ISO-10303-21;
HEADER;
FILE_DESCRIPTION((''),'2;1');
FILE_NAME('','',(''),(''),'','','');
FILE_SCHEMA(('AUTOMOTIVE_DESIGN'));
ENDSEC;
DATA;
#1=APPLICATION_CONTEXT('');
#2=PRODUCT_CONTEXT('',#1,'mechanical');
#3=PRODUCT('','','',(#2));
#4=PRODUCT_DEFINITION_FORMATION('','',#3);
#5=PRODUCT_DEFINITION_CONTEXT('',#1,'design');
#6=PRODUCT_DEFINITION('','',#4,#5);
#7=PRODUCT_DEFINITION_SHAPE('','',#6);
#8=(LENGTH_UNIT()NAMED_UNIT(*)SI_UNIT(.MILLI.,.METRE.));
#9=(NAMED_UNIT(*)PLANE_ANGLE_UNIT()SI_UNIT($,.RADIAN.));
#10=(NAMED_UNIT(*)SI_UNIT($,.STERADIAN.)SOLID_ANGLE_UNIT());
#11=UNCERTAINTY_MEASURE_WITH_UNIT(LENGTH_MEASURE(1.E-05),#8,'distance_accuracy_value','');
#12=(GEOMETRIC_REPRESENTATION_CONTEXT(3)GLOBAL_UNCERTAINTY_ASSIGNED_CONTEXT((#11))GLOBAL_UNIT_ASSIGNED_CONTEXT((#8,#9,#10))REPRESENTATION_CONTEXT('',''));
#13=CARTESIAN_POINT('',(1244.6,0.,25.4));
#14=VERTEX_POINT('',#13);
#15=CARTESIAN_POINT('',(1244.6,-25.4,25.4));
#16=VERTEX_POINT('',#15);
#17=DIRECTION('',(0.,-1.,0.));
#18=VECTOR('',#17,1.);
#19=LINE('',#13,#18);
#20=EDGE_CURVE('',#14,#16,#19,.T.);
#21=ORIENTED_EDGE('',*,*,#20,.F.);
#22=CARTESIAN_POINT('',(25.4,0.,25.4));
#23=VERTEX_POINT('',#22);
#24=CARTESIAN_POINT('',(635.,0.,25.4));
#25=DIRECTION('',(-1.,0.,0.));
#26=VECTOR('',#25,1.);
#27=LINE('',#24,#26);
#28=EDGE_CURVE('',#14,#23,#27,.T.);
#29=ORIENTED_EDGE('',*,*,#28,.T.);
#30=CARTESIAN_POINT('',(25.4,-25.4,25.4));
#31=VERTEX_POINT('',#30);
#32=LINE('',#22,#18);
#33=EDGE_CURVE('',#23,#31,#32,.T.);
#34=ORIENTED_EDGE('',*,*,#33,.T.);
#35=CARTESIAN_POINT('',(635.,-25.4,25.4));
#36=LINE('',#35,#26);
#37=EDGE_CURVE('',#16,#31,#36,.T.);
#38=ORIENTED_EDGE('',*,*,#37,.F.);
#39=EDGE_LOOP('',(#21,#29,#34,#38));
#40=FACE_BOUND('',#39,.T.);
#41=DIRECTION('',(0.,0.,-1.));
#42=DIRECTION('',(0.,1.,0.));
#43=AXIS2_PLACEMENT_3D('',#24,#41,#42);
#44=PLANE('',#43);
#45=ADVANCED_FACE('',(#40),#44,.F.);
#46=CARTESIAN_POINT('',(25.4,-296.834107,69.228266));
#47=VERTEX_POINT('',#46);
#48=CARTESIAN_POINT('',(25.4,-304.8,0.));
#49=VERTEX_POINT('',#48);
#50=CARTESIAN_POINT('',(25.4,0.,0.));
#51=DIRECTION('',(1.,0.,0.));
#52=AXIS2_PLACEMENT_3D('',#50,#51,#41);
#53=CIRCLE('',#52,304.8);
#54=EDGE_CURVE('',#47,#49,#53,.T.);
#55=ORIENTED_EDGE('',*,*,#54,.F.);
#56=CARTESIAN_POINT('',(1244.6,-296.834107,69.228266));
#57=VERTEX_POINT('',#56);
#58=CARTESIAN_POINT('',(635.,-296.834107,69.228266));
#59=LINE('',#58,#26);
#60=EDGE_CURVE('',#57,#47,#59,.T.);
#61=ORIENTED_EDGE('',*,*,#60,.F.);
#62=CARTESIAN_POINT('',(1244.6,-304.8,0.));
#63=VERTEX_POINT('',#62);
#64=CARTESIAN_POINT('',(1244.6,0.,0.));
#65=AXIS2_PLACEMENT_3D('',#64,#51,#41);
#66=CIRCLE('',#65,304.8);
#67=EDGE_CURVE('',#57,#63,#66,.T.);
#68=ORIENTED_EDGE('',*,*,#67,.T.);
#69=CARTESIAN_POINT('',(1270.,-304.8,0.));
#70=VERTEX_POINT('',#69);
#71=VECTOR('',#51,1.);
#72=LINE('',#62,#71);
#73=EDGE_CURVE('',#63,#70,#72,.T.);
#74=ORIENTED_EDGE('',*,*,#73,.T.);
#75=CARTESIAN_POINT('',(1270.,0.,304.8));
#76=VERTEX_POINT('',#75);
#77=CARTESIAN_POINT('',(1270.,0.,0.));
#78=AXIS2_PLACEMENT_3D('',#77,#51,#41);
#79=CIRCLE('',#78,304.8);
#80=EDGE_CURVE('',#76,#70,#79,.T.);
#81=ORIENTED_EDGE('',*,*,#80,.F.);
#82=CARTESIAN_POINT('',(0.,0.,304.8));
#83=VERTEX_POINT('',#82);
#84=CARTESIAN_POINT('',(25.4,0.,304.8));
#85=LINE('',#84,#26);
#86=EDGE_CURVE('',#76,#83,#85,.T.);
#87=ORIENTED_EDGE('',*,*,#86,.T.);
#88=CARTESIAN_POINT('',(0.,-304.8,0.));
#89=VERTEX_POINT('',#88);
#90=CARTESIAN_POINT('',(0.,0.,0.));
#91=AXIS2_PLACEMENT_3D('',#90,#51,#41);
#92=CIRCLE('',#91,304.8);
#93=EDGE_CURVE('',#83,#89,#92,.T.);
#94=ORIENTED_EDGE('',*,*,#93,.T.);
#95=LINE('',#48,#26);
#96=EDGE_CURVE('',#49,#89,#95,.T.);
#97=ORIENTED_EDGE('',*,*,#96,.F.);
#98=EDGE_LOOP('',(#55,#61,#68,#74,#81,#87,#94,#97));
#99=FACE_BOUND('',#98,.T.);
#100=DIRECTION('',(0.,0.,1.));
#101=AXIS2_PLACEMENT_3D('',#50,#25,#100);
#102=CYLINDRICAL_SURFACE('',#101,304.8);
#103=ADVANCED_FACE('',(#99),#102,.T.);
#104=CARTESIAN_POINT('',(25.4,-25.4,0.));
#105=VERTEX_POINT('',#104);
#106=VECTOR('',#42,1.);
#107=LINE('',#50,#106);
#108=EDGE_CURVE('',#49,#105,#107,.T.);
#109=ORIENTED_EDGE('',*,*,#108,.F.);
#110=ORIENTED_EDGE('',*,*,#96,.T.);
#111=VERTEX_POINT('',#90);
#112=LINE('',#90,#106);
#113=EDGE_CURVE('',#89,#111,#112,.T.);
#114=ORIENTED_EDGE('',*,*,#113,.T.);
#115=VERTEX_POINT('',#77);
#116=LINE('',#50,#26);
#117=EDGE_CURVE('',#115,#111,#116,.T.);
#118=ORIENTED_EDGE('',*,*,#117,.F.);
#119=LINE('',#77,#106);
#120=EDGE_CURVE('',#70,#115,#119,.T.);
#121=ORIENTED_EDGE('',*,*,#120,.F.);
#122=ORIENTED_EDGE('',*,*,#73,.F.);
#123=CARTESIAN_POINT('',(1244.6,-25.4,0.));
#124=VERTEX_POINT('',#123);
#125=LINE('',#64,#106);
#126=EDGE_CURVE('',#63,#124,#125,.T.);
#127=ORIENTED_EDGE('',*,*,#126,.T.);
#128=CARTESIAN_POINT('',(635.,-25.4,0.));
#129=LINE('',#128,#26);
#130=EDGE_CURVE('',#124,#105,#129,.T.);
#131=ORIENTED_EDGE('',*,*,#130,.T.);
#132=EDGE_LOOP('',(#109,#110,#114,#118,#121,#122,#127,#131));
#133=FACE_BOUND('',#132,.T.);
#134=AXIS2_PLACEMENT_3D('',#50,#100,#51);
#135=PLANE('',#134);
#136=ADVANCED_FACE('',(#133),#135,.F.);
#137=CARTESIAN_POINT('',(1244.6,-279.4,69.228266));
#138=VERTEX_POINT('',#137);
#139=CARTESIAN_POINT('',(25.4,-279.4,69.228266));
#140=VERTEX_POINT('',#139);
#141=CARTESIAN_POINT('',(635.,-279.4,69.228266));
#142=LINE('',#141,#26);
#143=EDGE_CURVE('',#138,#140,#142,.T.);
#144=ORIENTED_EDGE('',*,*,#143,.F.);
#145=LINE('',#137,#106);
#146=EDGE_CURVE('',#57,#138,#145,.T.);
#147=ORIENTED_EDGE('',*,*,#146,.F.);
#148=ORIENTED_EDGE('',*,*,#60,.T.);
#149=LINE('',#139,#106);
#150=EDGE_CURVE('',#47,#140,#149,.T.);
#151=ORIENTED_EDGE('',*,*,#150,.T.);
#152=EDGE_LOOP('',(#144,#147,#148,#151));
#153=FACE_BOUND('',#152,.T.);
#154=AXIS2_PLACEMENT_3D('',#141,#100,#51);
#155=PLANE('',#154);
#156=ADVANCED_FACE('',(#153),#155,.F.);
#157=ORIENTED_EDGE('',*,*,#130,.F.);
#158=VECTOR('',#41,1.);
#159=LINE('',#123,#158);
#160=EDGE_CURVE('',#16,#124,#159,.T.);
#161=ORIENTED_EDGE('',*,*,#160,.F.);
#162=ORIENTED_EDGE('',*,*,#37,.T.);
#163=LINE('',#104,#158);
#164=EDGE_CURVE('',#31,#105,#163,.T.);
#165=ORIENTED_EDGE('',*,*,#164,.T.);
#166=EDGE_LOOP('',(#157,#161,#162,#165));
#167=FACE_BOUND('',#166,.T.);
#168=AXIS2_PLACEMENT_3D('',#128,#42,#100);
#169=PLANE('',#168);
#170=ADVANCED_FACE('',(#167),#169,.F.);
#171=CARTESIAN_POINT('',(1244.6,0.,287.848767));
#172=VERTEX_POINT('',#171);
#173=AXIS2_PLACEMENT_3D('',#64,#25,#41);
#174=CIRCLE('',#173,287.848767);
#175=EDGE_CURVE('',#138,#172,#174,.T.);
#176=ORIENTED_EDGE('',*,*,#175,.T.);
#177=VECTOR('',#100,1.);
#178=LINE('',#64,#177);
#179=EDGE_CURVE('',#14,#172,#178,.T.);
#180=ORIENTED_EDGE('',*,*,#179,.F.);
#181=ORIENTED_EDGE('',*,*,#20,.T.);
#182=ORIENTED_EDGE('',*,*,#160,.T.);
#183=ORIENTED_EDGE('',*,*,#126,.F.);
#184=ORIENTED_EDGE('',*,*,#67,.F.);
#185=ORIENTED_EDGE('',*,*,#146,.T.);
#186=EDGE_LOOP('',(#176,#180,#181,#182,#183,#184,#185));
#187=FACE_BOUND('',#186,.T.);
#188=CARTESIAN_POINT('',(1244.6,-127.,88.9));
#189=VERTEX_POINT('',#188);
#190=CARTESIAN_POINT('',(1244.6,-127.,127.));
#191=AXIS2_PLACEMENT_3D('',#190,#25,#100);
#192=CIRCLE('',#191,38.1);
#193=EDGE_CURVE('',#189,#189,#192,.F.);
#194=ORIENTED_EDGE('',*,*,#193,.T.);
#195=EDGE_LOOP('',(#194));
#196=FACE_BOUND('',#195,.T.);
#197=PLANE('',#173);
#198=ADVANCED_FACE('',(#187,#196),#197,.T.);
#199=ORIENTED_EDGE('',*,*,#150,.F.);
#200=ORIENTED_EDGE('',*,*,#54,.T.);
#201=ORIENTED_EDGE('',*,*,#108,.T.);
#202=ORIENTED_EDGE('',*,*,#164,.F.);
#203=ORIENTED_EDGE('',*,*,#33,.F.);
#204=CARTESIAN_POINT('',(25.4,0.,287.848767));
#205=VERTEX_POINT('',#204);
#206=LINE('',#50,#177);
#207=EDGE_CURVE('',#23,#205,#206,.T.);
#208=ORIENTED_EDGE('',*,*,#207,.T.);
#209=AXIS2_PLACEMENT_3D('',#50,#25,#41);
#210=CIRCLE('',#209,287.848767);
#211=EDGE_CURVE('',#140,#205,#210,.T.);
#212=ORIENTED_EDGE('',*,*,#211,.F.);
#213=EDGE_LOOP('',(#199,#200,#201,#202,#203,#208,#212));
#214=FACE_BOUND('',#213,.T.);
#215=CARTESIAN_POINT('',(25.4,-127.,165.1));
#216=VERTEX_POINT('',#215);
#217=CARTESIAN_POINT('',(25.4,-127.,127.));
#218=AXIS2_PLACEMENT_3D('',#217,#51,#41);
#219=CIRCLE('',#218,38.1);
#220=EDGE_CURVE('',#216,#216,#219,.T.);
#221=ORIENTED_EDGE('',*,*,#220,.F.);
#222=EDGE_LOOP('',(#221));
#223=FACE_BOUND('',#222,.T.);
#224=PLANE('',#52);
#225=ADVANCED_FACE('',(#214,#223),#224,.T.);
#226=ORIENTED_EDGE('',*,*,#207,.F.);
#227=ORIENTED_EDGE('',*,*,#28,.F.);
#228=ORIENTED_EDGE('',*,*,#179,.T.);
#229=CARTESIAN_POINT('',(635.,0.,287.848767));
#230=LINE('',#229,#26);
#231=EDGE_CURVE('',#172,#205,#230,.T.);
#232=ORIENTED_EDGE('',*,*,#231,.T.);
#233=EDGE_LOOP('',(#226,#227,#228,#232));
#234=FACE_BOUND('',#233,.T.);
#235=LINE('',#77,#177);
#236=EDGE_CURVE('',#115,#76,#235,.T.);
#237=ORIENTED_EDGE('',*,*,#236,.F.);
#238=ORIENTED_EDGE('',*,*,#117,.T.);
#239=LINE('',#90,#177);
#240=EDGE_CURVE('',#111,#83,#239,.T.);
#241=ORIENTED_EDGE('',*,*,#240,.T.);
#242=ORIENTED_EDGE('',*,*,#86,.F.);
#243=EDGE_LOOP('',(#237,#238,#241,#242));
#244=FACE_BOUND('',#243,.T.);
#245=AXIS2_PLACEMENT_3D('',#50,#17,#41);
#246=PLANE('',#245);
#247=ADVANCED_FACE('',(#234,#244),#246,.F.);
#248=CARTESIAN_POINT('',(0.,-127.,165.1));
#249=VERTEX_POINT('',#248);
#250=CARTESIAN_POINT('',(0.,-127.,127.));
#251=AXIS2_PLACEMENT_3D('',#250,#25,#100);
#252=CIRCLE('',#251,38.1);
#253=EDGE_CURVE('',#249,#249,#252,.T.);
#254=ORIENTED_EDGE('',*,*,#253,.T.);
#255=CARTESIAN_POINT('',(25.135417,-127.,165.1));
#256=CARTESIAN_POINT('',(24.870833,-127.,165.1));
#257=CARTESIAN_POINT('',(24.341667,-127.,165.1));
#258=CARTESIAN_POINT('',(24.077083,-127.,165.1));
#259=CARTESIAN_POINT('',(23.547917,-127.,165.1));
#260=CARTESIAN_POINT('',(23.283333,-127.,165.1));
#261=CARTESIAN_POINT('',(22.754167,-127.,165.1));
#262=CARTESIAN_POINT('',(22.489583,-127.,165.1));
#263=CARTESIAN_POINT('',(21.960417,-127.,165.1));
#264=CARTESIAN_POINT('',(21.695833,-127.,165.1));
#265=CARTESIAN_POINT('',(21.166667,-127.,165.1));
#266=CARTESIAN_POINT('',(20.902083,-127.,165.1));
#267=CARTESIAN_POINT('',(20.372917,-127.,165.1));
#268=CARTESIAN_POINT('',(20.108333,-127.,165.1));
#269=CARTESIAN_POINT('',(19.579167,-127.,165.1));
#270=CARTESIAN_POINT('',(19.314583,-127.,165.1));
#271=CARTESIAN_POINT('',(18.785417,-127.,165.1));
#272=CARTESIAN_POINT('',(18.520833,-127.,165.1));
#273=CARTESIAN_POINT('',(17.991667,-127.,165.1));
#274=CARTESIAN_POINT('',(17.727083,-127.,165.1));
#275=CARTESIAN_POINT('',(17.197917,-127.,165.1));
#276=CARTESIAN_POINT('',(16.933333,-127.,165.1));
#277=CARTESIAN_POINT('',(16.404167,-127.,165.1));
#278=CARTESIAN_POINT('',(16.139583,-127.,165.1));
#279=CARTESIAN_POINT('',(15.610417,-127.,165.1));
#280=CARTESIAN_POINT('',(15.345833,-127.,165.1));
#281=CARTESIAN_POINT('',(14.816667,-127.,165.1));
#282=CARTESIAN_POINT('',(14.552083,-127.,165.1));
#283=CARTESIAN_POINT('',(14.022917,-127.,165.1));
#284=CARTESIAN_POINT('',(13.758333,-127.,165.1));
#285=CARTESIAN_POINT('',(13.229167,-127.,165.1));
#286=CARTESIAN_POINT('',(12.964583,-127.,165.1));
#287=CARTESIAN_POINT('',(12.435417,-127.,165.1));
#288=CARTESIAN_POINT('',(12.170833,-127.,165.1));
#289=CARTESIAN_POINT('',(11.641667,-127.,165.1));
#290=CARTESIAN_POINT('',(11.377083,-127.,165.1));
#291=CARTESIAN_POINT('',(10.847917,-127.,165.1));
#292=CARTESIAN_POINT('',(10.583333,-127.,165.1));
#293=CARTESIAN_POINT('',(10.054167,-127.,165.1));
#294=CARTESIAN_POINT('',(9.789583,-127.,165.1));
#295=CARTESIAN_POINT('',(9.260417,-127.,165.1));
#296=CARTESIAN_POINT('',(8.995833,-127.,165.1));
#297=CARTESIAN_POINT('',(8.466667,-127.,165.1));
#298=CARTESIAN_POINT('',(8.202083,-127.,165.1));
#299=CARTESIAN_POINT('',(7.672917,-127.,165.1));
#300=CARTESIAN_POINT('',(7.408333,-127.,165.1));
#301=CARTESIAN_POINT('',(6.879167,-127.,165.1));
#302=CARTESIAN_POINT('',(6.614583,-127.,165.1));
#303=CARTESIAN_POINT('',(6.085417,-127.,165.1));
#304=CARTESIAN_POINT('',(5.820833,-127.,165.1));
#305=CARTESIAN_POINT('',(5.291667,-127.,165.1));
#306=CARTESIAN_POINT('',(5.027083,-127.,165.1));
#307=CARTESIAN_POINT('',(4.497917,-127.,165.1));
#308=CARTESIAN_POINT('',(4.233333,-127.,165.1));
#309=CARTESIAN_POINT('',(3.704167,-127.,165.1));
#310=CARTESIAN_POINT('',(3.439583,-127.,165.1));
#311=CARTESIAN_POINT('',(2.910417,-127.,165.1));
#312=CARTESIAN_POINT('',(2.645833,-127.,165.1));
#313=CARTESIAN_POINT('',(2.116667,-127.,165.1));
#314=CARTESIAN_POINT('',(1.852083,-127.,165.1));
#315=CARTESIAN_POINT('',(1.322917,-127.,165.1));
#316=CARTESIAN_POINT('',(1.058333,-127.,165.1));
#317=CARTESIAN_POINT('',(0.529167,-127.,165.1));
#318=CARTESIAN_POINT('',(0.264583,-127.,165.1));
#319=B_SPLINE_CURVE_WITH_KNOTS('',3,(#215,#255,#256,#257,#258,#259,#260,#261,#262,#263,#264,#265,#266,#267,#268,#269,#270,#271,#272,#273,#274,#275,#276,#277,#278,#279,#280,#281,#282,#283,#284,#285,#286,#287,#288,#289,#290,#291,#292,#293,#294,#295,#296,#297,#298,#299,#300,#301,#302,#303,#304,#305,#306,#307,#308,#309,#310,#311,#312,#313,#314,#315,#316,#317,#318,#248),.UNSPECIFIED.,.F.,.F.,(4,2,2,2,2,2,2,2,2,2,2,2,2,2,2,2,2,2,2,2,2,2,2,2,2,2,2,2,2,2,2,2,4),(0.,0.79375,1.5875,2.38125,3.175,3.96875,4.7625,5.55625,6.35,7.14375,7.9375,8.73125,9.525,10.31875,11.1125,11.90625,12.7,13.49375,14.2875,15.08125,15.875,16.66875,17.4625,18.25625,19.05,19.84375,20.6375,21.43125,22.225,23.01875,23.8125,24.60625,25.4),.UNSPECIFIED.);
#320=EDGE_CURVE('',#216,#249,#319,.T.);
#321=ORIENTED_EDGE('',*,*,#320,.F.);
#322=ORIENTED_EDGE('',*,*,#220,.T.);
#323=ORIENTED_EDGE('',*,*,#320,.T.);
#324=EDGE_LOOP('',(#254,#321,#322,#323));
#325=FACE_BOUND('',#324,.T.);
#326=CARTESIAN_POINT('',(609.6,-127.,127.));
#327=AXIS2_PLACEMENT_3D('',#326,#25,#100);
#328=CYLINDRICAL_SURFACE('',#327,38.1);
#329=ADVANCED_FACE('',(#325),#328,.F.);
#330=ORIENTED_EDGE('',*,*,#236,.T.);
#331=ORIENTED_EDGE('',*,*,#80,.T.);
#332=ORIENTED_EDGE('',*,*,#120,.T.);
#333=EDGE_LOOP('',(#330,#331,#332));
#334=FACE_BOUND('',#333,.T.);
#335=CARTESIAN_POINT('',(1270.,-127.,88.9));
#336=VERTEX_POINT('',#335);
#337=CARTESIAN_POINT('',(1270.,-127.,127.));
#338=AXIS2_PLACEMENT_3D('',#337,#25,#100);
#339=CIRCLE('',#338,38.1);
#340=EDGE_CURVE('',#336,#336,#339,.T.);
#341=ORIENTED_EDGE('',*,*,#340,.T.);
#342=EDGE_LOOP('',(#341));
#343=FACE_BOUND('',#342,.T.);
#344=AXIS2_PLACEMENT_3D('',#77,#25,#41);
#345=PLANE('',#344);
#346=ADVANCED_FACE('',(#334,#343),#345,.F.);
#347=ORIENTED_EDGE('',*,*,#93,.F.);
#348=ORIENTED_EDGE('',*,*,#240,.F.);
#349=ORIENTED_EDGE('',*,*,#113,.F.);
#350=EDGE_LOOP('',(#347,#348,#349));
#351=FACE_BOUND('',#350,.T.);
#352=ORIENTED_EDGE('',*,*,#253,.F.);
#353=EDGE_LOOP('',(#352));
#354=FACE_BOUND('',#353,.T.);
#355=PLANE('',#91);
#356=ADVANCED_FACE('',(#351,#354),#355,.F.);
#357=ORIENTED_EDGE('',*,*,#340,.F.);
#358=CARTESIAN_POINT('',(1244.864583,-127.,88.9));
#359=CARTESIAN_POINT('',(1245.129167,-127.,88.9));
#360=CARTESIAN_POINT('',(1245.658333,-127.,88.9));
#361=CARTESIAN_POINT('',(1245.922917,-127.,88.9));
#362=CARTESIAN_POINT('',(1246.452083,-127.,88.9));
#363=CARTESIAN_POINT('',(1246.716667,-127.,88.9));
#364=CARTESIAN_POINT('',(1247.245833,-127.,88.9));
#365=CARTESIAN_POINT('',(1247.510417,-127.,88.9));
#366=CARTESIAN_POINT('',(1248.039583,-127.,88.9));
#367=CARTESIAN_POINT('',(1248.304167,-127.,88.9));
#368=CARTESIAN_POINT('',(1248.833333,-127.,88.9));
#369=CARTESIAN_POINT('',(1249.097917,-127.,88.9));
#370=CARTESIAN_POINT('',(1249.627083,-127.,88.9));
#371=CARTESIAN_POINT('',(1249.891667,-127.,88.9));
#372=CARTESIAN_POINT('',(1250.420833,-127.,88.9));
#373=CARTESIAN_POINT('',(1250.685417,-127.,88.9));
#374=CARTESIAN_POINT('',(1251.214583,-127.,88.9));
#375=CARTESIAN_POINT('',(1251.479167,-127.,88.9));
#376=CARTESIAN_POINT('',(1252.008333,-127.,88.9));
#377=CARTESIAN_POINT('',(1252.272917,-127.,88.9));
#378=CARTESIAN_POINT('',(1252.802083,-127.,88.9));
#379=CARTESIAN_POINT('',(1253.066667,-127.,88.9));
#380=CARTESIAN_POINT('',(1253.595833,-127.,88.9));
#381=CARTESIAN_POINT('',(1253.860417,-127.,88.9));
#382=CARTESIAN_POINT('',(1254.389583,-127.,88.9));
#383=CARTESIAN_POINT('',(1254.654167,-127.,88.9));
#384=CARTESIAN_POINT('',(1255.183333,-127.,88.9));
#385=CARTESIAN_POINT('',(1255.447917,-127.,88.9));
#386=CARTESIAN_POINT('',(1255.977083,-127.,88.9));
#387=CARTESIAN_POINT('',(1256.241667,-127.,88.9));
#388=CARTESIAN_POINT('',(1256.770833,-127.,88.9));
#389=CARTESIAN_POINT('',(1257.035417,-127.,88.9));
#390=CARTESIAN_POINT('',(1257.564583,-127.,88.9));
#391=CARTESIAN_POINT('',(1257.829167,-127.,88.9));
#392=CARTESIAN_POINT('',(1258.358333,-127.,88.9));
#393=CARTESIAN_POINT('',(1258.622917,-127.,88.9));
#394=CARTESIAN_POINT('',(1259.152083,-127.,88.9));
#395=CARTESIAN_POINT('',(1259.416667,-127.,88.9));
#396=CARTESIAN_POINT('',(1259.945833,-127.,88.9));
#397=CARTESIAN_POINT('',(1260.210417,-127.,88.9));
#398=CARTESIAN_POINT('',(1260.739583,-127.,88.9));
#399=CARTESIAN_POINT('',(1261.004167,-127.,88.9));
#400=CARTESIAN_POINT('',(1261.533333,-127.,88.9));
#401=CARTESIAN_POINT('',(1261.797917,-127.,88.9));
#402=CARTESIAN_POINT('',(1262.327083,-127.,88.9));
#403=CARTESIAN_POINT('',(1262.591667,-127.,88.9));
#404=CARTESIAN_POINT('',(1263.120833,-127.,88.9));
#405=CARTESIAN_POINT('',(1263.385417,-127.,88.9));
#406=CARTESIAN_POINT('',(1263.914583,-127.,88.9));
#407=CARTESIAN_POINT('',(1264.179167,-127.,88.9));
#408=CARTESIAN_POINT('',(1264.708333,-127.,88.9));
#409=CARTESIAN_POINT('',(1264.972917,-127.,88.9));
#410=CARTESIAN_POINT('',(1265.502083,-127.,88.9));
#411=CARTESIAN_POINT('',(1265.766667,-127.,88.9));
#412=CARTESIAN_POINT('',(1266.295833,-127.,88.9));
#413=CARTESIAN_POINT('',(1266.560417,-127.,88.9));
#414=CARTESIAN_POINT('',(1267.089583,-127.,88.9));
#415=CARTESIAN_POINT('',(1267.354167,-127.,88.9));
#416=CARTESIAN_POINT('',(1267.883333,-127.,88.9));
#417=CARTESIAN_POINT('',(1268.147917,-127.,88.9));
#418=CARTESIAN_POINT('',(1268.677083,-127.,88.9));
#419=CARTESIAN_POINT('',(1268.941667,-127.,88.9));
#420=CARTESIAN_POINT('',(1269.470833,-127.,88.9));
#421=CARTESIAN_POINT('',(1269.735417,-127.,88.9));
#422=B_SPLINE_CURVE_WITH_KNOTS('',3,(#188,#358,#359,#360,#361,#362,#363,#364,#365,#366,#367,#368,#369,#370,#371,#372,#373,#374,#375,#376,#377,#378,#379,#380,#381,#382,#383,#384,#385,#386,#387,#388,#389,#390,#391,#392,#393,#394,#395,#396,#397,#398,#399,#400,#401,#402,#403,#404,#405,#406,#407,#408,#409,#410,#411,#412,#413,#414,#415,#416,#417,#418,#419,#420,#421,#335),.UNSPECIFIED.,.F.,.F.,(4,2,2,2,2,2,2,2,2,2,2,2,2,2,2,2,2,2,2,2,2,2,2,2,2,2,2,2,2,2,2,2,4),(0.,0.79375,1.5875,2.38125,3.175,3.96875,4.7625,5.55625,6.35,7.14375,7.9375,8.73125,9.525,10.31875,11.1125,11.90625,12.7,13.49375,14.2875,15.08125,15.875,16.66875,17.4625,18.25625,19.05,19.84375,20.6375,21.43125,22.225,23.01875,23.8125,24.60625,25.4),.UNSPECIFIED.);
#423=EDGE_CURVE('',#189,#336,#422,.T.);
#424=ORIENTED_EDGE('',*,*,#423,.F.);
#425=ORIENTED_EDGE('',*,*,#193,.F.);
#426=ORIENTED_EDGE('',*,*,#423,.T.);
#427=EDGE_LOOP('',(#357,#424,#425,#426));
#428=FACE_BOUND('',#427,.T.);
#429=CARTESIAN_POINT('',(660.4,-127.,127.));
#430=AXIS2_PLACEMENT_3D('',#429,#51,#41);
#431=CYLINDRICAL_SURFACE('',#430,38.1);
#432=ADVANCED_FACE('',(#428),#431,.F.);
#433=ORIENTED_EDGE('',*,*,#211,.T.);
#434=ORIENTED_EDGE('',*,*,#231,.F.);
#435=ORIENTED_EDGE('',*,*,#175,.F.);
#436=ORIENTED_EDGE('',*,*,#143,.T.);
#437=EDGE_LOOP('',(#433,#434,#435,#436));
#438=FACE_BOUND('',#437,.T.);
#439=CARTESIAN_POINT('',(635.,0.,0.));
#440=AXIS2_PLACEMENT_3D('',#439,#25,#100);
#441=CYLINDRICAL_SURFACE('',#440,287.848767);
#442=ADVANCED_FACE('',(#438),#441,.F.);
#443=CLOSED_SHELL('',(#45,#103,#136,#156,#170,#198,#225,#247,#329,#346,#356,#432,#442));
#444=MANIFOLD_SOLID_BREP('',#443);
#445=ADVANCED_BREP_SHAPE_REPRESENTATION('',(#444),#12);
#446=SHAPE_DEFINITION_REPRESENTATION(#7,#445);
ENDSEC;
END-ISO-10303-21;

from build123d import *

# Parameters (mm, degrees)
BOSS_EXTRUDE1_DEPTH = 25.4
SKETCH2_W           = 25.4
SKETCH2_H           = 25.4
BOSS_EXTRUDE2_DEPTH = 609.6
SKETCH3_R           = 38.1
CUT_EXTRUDE1_DEPTH  = 609.6


with BuildPart() as part:
    # Sketch1 → Boss-Extrude1 (new body)
    with BuildSketch(Plane(origin=(0, 0, 0), x_dir=(0, 0, -1), z_dir=(1, 0, 0))):
        with BuildLine():
            Line((0, 0), (-304.8, 0))
            ThreePointArc((-304.8, 0), (-215.526146906, -215.526146906), (0, -304.8))
            Line((0, -304.8), (0, 0))
        make_face()
    boss_extrude1 = extrude(amount=BOSS_EXTRUDE1_DEPTH)

    # Sketch2 → Boss-Extrude2 (add)
    with BuildSketch(Plane(origin=(25.4, 0, 0), x_dir=(0, 0, -1), z_dir=(1, 0, 0))):
        with BuildLine():
            Line((-304.8, 0), (-287.848767292, 0))
            ThreePointArc((-287.848767292, 0), (-226.698239846, -177.38325987), (-69.22826613, -279.4))
            Line((-69.22826613, -279.4), (-69.22826613, -296.834107152))
            ThreePointArc((-69.22826613, -296.834107152), (-238.750723053, -189.475941063), (-304.8, 0))
        make_face()
        with Locations((-12.7, -12.7)):
            Rectangle(SKETCH2_W, SKETCH2_H)
    boss_extrude2 = extrude(amount=BOSS_EXTRUDE2_DEPTH)

    # Sketch3 → Cut-Extrude1 (cut)
    with BuildSketch(Plane.ZY):
        with Locations((127, -127)):
            Circle(SKETCH3_R)
    cut_extrude1 = extrude(amount=-CUT_EXTRUDE1_DEPTH, mode=Mode.SUBTRACT)

    # Mirror2: Boss-Extrude2 across plane
    add(boss_extrude2.mirror(Plane(origin=(635, 0, 0), x_dir=(0, 0, 1), z_dir=(1, 0, 0))))

    # Mirror3: Boss-Extrude1 across plane
    add(boss_extrude1.mirror(Plane(origin=(635, 0, 0), x_dir=(0, 0, 1), z_dir=(1, 0, 0))))

    # Mirror4: Cut-Extrude1 across plane
    add(cut_extrude1.mirror(Plane(origin=(635, 0, 0), x_dir=(0, 0, 1), z_dir=(1, 0, 0))), mode=Mode.SUBTRACT)


solid = part.part
